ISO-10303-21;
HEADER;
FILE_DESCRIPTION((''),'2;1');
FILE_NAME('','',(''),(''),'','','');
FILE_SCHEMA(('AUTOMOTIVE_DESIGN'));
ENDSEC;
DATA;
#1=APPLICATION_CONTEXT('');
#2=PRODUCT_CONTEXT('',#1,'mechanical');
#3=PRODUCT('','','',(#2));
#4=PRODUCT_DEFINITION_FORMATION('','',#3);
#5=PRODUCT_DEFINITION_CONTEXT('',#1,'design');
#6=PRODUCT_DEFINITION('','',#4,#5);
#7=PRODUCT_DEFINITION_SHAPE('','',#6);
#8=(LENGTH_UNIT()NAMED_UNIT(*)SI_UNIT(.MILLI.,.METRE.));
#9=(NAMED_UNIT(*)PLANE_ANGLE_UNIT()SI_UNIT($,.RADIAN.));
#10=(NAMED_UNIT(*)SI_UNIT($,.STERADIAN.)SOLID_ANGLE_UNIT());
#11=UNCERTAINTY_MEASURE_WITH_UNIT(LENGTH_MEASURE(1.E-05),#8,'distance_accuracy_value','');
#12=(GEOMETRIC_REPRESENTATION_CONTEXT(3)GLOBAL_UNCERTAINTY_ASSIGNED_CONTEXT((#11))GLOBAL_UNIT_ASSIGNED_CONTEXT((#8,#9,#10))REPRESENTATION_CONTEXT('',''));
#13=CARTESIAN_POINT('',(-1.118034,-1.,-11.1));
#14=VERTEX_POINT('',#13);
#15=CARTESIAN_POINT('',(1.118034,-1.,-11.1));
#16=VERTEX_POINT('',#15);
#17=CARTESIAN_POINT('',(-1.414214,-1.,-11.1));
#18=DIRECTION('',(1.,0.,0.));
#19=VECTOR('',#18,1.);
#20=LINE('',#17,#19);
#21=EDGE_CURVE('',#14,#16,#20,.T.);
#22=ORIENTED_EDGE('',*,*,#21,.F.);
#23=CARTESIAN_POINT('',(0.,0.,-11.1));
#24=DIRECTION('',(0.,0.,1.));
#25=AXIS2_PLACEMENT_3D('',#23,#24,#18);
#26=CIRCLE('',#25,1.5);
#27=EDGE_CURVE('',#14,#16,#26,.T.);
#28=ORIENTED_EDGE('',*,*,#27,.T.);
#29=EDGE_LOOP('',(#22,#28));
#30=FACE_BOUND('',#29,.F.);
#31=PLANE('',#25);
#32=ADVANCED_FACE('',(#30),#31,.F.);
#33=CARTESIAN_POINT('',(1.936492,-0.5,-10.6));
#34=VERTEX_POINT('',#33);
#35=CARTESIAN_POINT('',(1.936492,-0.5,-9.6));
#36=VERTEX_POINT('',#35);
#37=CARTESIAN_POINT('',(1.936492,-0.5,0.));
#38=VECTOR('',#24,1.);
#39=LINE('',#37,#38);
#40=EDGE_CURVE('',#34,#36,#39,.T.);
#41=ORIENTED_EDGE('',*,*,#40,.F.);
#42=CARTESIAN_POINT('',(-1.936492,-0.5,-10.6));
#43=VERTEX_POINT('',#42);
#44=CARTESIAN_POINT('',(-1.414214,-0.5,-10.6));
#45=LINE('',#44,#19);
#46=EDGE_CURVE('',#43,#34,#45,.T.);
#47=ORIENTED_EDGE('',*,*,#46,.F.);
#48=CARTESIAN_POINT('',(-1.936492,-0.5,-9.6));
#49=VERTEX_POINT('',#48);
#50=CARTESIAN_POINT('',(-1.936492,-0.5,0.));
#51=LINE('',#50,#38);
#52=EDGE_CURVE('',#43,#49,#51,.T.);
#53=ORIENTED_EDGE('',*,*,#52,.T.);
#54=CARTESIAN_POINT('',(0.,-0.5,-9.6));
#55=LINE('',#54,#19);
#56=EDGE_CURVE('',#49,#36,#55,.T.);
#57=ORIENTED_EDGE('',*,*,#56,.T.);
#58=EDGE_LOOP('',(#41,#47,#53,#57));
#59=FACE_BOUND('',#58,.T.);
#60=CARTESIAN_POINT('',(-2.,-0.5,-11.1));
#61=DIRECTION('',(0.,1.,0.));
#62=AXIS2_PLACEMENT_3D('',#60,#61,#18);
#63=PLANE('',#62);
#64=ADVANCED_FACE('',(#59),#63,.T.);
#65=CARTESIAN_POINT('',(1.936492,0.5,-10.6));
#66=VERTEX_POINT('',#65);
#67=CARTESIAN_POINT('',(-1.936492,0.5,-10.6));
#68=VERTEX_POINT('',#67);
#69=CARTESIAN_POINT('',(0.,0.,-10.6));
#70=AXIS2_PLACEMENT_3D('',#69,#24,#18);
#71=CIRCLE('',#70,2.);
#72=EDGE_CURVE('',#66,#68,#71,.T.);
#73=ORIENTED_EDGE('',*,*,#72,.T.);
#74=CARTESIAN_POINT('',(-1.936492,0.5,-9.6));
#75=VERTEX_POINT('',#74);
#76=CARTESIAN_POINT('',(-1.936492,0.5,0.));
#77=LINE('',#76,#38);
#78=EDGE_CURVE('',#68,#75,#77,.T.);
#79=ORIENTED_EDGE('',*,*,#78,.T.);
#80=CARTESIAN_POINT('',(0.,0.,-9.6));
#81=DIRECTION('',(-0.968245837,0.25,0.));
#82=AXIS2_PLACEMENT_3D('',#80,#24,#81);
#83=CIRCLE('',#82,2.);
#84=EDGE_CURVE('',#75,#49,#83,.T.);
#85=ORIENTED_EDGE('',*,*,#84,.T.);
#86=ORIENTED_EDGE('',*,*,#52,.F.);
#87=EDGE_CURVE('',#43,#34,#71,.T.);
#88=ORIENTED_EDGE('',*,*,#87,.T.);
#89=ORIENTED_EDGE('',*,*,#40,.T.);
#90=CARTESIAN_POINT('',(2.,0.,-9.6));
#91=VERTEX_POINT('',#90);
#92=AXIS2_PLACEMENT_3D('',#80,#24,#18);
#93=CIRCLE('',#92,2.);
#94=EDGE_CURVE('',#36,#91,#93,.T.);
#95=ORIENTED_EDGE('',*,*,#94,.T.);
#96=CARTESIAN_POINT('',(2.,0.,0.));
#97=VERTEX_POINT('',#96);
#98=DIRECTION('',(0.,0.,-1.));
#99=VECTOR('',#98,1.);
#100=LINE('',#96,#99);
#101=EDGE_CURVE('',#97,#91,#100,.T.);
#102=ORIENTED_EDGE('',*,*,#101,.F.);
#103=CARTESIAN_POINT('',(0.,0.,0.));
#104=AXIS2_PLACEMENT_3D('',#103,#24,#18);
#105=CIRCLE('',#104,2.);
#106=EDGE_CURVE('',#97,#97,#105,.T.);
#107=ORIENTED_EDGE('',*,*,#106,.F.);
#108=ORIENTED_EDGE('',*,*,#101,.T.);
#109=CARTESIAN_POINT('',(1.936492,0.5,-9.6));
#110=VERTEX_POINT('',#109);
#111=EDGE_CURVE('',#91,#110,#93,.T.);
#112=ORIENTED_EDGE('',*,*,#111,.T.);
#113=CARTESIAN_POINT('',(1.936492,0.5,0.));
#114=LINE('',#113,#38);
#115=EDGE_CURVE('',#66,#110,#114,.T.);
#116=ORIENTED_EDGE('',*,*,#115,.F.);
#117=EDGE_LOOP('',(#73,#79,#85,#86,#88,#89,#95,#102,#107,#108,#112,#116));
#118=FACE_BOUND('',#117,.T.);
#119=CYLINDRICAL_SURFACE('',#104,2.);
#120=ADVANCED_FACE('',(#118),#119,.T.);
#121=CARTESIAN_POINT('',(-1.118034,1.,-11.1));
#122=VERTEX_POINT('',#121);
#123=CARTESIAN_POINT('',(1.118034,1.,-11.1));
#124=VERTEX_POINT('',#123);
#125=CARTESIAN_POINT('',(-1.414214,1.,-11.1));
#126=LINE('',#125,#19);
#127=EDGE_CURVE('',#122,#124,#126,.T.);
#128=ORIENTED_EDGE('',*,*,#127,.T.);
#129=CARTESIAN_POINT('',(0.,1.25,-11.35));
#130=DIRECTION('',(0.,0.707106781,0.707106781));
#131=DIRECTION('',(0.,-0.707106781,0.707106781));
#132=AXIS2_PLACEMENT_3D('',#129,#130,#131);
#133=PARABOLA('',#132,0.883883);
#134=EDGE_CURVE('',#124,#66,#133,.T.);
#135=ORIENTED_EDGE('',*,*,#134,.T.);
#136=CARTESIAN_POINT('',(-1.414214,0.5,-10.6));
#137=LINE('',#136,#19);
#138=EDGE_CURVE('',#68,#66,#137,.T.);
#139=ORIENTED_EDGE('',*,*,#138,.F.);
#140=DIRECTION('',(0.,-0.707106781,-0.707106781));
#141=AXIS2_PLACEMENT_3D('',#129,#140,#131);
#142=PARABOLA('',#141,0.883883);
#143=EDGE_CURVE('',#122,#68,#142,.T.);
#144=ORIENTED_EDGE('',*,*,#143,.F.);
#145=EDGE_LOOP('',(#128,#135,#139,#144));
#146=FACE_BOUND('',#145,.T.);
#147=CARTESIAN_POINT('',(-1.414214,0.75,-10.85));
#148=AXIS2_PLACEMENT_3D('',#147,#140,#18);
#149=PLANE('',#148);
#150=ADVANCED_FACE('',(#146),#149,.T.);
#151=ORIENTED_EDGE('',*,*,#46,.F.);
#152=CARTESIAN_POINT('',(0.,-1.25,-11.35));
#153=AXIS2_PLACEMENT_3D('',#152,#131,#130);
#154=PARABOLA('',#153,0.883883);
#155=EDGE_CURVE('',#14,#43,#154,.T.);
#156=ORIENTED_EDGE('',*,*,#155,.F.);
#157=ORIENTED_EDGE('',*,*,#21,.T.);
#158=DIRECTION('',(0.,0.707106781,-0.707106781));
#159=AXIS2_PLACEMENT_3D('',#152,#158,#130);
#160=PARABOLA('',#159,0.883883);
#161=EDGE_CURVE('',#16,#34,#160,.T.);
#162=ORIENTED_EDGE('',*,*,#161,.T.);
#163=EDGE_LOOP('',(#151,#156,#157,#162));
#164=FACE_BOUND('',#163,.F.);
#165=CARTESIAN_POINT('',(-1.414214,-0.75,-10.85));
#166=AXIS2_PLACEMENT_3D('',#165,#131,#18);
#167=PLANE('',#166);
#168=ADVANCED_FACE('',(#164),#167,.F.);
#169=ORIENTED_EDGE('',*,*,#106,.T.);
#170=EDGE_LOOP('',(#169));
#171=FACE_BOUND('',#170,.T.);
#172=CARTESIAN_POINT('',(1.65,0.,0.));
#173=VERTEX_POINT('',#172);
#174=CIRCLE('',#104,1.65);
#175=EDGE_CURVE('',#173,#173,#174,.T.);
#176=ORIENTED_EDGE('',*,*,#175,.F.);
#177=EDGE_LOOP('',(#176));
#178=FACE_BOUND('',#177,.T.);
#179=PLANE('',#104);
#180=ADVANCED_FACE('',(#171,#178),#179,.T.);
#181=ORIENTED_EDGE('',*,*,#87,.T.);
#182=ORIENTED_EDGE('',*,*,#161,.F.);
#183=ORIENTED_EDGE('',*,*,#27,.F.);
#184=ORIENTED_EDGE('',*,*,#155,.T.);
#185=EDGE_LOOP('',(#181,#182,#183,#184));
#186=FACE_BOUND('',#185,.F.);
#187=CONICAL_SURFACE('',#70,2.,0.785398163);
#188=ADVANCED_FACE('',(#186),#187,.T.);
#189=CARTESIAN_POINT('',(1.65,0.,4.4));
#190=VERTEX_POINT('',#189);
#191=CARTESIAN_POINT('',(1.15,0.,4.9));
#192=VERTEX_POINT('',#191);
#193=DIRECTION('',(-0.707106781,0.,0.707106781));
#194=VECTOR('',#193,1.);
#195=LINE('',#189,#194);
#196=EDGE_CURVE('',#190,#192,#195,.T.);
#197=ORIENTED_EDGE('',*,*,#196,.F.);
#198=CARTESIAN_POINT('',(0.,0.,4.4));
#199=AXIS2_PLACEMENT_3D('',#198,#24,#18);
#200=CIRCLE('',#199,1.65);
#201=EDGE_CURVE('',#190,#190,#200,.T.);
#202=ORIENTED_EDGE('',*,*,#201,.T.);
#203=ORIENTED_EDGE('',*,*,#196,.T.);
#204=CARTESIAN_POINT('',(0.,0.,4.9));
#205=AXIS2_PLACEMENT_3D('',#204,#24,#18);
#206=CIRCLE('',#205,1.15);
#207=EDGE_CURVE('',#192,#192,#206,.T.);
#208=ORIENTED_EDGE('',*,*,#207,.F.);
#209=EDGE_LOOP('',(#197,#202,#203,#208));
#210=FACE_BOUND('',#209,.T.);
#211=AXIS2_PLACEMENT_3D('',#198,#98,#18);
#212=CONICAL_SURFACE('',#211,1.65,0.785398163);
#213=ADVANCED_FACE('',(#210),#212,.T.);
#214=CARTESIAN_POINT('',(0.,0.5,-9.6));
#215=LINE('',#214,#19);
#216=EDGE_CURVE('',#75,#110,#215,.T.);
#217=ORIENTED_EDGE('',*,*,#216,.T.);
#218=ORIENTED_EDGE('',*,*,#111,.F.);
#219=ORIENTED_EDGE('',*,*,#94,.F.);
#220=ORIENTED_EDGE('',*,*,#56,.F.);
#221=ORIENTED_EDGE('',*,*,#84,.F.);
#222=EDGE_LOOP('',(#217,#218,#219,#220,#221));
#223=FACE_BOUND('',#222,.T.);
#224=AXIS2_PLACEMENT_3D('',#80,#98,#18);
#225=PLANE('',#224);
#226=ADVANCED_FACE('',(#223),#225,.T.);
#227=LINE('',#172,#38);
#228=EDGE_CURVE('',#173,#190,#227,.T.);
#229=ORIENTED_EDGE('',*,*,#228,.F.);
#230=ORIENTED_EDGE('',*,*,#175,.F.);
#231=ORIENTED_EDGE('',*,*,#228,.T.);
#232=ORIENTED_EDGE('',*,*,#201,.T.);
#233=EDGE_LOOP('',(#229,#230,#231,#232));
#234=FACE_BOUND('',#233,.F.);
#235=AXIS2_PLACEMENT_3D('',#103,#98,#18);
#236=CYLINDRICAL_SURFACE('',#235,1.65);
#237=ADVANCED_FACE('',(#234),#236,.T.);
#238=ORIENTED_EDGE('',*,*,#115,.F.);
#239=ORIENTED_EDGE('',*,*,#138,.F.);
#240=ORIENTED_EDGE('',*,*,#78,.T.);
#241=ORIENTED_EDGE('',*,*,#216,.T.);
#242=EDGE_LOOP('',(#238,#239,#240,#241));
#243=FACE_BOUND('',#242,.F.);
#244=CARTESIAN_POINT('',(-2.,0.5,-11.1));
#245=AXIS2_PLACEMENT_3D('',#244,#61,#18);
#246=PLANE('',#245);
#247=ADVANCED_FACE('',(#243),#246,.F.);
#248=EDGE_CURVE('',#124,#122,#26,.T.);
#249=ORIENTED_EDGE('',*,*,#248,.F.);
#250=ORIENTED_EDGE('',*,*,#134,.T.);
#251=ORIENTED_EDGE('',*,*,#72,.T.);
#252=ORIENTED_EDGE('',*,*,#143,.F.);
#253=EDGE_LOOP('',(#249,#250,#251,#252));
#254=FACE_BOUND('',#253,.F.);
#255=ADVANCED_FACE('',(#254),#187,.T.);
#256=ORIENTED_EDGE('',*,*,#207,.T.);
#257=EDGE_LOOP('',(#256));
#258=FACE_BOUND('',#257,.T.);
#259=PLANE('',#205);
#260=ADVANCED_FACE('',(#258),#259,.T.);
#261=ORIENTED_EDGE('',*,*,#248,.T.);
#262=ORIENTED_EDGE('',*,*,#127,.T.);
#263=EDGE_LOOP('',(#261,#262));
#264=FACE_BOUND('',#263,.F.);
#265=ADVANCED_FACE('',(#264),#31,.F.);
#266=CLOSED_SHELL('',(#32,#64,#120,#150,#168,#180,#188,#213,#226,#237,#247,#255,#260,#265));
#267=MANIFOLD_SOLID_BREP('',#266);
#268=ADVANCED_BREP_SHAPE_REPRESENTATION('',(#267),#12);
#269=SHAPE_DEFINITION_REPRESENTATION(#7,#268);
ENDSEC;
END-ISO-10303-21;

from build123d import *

# Parameters (mm, degrees)
F0_R     = 1.65
F1_DEPTH = 4.9
F0_R_2   = 2
F2_DEPTH = 11.1
F3_SIZE  = 0.5
F4_W     = 4
F4_H     = 1
F5_DEPTH = 1.5
F6_SIZE  = 0.5


with BuildPart() as f1:
    # F0 (on Top) → F1 (new body)
    with BuildSketch(Plane.XY):
        Circle(F0_R)
    extrude(amount=F1_DEPTH)

    # F0 (on Top) → F2 (join)
    with BuildSketch(Plane.XY):
        Circle(F0_R_2)
        Circle(F0_R, mode=Mode.SUBTRACT)
        Circle(F0_R)
    extrude(amount=-F2_DEPTH)

    # F3
    f3_edges = [f1.edges().sort_by_distance(p)[0] for p in [
        (-1.65, 0, 4.9),
        (-2, 0, -11.1),
    ]]
    chamfer(f3_edges, length=F3_SIZE)

    # F4 (on face) → F5 (cut)
    with BuildSketch(Plane(origin=(0, 0, -11.1), x_dir=(1, 0, 0), z_dir=(0, 0, -1))):
        Rectangle(F4_W, F4_H)
    extrude(amount=-F5_DEPTH, mode=Mode.SUBTRACT)

    # F6
    f6_edges = [f1.edges().sort_by_distance(p)[0] for p in [
        (0, 0.5, -11.1),
        (0, -0.5, -11.1),
    ]]
    chamfer(f6_edges, length=F6_SIZE)


solid = f1.part
